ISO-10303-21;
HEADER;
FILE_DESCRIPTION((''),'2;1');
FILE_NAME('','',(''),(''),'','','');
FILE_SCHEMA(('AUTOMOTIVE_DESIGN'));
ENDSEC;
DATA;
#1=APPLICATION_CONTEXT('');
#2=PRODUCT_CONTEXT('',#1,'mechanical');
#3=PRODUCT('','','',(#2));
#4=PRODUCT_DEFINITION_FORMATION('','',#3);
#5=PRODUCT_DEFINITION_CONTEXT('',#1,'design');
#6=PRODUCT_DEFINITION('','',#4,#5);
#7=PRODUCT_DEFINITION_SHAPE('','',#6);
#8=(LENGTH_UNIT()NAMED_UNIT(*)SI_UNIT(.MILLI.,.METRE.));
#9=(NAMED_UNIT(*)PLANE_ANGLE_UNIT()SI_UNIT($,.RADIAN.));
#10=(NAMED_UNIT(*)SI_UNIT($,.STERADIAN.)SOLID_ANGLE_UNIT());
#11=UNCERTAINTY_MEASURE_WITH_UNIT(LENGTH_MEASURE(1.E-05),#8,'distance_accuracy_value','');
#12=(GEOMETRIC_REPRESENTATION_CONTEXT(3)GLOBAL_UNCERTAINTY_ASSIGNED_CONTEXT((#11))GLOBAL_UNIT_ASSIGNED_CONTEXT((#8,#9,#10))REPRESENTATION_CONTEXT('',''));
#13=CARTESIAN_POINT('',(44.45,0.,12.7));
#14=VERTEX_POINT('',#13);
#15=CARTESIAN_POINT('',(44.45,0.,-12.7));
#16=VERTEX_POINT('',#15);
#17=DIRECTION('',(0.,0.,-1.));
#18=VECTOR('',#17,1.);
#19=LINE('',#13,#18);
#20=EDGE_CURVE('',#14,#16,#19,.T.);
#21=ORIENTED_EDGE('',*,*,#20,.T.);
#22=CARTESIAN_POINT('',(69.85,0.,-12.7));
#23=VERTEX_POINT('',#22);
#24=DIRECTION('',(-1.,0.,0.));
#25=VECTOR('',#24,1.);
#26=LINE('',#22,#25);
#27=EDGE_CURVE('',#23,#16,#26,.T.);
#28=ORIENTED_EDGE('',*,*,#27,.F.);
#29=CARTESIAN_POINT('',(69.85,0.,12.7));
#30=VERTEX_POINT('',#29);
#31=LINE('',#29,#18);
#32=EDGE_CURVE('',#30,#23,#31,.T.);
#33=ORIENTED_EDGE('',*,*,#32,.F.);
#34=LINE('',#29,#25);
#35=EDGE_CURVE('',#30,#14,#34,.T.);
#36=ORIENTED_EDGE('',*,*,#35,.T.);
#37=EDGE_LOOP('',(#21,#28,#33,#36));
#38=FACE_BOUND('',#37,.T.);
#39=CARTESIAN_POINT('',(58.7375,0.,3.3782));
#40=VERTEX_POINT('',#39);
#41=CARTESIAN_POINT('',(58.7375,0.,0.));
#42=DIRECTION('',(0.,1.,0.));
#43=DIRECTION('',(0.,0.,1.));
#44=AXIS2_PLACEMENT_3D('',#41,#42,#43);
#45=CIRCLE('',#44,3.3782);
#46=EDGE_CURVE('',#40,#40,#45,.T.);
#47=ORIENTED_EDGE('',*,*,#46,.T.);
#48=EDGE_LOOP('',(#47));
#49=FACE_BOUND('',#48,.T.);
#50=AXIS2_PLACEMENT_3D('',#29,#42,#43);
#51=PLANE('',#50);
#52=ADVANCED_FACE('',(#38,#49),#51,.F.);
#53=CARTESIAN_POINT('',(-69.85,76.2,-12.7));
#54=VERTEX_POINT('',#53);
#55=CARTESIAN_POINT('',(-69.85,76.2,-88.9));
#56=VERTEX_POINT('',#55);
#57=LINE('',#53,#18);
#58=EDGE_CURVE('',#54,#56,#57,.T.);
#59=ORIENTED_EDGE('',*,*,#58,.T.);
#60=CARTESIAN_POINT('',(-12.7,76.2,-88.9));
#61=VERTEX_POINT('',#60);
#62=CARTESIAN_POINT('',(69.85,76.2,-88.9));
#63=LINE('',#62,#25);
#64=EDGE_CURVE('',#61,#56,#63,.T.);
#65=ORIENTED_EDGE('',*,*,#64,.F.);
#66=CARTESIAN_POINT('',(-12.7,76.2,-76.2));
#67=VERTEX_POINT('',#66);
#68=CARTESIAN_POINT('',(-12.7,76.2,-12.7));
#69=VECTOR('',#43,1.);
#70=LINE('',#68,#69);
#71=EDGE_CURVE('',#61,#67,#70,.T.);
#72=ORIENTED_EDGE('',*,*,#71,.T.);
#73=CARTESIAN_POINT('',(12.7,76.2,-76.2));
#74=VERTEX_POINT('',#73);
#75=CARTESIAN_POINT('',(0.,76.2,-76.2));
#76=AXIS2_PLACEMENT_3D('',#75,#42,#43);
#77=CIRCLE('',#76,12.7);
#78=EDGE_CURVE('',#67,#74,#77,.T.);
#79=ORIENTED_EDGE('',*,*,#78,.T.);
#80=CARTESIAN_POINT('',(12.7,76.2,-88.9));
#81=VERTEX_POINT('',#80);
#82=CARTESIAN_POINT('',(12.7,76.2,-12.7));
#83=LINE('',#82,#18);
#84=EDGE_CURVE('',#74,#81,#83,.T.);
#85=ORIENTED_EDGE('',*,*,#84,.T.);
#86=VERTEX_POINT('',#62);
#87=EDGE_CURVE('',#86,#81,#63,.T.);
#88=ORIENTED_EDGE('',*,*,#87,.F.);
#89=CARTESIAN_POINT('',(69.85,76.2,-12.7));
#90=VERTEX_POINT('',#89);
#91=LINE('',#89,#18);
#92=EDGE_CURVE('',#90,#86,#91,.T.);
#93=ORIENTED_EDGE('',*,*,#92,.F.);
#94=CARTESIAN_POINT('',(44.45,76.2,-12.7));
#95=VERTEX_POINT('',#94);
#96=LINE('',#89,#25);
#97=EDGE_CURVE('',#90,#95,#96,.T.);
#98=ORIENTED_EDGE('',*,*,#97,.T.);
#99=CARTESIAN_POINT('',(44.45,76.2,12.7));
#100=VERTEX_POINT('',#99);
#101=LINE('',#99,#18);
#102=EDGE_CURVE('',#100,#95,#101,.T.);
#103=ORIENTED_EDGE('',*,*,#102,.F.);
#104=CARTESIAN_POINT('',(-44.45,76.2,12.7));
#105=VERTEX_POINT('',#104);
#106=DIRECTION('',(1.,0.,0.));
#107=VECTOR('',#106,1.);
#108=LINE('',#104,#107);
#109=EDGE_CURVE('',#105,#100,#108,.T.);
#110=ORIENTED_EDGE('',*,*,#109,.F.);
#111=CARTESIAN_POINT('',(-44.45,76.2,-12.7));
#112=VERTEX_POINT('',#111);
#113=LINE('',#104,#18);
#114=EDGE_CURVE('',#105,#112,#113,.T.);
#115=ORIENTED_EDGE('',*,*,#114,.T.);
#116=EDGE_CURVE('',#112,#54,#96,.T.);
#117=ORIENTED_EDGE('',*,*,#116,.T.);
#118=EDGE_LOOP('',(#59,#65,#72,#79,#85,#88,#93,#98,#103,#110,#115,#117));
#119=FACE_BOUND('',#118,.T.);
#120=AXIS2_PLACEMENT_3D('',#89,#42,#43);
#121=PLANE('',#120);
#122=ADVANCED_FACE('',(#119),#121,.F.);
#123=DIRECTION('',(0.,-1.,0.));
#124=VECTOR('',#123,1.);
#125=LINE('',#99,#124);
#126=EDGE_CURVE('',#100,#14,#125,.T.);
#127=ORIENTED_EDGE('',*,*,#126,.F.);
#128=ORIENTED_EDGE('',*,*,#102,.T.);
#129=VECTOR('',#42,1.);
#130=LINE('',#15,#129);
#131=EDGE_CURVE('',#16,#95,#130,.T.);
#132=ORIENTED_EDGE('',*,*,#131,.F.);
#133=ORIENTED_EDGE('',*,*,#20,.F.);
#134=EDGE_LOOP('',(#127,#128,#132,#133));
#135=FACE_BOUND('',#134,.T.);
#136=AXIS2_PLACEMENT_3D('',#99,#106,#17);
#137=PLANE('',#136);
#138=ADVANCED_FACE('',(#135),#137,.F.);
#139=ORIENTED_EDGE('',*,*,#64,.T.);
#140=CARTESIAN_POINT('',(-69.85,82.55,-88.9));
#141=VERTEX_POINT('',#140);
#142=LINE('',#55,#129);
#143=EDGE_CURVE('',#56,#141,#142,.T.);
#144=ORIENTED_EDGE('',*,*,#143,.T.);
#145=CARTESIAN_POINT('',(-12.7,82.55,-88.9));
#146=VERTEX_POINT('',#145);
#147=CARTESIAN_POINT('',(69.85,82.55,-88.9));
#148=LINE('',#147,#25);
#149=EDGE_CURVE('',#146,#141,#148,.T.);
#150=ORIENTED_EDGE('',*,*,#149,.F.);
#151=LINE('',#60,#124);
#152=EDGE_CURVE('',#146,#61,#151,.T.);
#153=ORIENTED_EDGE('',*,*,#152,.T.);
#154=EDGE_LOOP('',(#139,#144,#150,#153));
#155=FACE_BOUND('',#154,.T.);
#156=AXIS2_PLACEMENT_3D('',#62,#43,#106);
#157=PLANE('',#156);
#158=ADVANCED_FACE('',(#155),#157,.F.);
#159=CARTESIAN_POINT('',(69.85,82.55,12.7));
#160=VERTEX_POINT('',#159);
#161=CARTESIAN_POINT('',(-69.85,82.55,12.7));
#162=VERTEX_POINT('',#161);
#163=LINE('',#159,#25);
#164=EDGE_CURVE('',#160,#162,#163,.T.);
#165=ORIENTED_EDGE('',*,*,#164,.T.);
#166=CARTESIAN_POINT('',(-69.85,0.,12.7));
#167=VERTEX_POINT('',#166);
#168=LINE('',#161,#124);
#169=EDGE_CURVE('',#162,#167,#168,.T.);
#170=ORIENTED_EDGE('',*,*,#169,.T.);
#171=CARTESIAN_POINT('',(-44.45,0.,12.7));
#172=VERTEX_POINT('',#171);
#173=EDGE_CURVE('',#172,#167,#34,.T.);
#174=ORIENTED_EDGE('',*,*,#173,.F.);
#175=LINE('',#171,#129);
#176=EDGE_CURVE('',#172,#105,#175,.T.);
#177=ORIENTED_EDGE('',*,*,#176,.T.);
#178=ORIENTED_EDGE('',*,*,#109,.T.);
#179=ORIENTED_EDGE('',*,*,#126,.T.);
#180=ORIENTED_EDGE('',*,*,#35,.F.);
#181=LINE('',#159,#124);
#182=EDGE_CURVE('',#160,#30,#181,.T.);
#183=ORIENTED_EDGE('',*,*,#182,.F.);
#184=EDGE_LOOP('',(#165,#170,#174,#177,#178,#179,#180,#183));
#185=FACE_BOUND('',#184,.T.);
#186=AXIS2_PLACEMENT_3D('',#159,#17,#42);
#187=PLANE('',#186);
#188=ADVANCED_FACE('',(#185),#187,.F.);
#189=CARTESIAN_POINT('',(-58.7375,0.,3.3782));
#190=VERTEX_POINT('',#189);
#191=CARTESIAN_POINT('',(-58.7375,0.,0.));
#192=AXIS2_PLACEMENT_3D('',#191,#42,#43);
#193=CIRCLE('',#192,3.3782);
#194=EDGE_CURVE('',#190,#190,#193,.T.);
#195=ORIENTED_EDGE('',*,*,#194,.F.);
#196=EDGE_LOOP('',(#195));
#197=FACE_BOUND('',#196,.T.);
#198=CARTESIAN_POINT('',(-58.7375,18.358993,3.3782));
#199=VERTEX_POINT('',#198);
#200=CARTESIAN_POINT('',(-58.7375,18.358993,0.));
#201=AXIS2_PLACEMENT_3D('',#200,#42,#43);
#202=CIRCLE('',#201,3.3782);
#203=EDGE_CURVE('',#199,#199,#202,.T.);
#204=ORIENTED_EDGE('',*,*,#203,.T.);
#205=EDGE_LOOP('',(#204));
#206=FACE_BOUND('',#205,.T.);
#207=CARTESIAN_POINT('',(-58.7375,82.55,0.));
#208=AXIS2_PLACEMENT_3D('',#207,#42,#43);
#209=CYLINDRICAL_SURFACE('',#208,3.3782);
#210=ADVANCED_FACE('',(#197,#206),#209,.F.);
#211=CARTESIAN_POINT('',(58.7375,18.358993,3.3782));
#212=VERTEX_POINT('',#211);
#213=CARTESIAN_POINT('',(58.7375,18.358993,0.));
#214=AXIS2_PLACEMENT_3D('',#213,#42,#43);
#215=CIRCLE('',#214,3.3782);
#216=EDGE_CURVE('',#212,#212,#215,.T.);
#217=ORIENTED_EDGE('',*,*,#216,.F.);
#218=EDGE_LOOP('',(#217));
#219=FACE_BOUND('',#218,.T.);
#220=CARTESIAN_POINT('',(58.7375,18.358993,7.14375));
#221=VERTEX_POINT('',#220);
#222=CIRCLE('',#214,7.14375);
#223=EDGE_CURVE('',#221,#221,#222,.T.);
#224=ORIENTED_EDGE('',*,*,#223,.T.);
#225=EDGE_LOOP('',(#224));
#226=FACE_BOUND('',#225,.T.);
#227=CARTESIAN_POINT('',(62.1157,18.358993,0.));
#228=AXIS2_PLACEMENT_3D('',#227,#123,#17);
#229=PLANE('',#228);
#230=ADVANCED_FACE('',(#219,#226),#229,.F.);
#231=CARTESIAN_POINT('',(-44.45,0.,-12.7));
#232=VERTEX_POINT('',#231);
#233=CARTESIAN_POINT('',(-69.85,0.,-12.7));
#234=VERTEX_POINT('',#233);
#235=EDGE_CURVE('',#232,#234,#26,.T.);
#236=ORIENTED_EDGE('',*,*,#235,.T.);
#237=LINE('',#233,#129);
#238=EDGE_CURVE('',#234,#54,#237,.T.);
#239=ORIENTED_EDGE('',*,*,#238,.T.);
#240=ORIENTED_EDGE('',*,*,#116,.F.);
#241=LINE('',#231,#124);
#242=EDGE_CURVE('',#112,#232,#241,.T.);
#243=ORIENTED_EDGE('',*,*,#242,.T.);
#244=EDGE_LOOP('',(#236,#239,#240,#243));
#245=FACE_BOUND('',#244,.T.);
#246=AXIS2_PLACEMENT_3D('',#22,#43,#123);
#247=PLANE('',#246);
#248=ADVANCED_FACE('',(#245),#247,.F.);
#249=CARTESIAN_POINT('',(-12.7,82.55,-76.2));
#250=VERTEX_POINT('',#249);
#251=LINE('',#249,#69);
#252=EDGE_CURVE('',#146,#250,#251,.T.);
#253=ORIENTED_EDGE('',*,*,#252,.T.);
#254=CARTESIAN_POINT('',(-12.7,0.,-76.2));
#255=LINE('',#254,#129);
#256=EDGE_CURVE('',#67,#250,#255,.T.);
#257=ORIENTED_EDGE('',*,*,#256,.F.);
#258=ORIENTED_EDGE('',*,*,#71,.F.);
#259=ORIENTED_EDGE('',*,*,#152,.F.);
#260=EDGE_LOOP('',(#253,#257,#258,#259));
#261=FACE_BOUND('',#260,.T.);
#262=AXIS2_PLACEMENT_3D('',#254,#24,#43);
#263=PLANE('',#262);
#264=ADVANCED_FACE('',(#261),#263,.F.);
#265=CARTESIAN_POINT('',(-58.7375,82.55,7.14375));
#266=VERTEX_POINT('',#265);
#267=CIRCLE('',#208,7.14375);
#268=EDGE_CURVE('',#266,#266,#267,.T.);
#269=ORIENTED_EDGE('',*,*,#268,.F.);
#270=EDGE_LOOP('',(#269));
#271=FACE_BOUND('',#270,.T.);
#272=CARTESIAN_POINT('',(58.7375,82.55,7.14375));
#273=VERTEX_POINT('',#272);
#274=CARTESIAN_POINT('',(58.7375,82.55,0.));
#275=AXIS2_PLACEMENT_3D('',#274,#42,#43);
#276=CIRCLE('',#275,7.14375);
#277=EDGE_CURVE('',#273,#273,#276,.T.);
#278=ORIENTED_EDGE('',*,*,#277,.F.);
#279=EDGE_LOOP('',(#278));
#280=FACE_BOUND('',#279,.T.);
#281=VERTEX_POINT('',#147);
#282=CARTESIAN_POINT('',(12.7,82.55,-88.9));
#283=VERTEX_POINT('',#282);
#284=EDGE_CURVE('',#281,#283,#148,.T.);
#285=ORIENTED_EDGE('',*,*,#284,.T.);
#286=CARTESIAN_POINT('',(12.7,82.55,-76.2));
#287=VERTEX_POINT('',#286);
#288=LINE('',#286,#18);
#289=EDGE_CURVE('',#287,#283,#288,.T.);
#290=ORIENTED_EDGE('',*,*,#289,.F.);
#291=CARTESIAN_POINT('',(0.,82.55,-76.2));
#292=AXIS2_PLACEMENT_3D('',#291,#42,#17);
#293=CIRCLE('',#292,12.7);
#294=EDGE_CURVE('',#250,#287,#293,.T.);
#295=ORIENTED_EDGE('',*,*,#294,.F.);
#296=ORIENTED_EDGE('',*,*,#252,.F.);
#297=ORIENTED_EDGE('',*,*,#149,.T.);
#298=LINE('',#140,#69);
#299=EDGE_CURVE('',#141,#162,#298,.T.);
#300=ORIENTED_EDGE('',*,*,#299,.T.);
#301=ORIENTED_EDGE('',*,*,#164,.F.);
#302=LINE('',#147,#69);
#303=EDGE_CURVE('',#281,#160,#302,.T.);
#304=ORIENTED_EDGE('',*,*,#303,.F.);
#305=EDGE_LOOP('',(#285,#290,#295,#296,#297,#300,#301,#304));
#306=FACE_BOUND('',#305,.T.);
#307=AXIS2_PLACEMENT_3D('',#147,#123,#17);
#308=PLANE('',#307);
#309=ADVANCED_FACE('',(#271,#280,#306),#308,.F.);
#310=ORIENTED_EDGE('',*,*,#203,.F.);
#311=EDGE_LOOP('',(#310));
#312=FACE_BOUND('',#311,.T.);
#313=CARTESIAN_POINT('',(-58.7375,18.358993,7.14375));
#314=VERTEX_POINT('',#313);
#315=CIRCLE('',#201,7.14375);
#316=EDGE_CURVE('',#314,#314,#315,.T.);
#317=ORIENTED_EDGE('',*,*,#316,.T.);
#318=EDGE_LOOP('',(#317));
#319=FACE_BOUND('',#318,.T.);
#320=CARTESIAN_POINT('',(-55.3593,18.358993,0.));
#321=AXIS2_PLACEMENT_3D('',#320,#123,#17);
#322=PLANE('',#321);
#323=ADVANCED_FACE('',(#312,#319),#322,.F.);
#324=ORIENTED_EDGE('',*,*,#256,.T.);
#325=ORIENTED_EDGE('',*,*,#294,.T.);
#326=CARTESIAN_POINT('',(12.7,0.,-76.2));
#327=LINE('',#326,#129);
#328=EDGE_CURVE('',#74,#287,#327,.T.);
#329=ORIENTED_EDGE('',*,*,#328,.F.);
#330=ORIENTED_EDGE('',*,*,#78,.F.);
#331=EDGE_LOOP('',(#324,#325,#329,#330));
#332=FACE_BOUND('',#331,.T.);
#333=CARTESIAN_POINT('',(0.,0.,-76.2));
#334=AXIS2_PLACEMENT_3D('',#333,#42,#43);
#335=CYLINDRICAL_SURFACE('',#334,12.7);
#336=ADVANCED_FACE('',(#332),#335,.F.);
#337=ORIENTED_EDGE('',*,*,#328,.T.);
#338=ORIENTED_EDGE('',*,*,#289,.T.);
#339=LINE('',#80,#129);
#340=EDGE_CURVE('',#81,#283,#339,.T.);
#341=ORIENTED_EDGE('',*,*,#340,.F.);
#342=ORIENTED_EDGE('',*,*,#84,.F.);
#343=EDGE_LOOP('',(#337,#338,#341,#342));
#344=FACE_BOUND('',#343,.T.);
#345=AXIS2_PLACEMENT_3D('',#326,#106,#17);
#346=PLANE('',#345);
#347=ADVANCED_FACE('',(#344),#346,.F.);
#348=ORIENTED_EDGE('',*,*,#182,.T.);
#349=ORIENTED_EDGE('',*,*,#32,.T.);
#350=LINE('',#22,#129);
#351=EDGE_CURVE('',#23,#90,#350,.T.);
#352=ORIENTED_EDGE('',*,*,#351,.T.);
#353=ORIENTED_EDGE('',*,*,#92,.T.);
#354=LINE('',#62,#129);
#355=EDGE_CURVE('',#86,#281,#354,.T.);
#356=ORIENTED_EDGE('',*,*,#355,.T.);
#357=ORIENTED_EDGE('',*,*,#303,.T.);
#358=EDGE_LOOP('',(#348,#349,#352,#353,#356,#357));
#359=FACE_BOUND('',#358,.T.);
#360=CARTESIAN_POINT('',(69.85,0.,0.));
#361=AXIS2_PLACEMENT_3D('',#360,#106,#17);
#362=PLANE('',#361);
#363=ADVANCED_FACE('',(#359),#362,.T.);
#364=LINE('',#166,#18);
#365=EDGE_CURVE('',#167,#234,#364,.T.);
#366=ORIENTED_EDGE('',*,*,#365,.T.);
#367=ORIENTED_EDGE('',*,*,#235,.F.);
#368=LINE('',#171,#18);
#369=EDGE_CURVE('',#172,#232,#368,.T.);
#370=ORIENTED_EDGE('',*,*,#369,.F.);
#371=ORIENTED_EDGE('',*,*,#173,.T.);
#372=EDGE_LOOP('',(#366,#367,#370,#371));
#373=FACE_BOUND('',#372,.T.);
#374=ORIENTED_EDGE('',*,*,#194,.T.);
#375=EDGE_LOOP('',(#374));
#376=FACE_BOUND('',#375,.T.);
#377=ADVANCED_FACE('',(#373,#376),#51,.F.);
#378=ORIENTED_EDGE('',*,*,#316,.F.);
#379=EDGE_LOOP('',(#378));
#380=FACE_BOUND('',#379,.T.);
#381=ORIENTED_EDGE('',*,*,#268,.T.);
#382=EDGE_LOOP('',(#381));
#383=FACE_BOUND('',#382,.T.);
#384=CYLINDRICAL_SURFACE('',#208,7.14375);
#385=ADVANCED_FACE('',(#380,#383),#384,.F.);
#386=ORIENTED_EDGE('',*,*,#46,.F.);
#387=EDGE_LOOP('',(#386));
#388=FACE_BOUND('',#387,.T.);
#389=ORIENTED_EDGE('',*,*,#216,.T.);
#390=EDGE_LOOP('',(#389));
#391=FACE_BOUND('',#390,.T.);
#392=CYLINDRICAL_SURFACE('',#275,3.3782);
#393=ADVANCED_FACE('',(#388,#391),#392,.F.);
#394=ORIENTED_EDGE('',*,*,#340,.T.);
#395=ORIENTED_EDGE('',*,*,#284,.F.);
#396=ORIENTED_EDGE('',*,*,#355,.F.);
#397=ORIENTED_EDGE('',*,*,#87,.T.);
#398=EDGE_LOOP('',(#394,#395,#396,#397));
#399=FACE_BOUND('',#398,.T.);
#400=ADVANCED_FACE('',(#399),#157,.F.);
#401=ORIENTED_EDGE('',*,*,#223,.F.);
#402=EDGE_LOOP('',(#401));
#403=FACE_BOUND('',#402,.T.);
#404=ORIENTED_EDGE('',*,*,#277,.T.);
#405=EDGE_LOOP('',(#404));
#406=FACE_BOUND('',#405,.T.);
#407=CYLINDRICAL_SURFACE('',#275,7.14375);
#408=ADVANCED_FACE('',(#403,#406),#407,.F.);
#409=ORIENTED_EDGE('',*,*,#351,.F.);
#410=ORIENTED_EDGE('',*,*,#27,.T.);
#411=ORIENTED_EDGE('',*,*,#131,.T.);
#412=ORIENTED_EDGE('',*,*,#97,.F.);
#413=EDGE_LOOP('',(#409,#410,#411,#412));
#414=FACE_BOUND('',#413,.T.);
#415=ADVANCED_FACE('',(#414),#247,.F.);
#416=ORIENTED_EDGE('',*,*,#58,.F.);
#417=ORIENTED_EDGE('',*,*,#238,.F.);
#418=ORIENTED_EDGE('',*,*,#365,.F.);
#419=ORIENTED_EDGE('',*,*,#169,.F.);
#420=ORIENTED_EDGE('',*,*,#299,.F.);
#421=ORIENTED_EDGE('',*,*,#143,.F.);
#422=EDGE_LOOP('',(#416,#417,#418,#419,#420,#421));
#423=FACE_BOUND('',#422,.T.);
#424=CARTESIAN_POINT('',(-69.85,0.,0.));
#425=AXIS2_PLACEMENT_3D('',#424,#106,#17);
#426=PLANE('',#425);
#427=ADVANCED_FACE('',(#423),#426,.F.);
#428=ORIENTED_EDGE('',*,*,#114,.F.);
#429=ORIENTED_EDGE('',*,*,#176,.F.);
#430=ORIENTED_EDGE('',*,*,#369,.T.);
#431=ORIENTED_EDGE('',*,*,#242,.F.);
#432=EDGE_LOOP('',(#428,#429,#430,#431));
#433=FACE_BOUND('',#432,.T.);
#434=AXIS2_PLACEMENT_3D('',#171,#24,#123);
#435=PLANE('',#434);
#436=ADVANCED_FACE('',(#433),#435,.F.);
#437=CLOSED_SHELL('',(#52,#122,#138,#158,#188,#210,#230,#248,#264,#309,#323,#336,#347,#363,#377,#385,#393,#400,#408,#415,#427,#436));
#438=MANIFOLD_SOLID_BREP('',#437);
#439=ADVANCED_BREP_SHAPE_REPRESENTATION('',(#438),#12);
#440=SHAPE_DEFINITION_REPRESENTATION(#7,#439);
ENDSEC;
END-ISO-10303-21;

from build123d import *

# Parameters (mm, degrees)
BOSS_EXTRUDE1_DEPTH                                  = 69.85
SKETCH2_W                                            = 88.9
SKETCH2_H                                            = 76.2
CUT_EXTRUDE1_DEPTH                                   = 149.378182358
CBORE_FOR_1_4_BINDING_HEAD_MACHINE_SCREW_D           = 6.7564
CBORE_FOR_1_4_BINDING_HEAD_MACHINE_SCREW_CBORE_D     = 14.2875
CBORE_FOR_1_4_BINDING_HEAD_MACHINE_SCREW_CBORE_DEPTH = 64.191007
CUT_EXTRUDE2_DEPTH                                   = 140.9883388


with BuildPart() as part:
    # Sketch1 → Boss-Extrude1 (new, symmetric)
    with BuildSketch(Plane(origin=(0, 0, 0), x_dir=(0, 0, -1), z_dir=(1, 0, 0))):
        Polygon((-12.7, 0), (12.7, 0), (12.7, 76.2), (88.9, 76.2), (88.9, 82.55), (-12.7, 82.55), align=None)
    extrude(amount=BOSS_EXTRUDE1_DEPTH, both=True)

    # Sketch2 → Cut-Extrude1 (cut, through all)
    with BuildSketch(Plane(origin=(0, 0, -88.9), x_dir=(-1, 0, 0), z_dir=(0, 0, -1))):
        with Locations((0, 38.1)):
            Rectangle(SKETCH2_W, SKETCH2_H)
    extrude(amount=-CUT_EXTRUDE1_DEPTH, mode=Mode.SUBTRACT)

    # CBORE for 1/4 Binding Head Machine Screw1 (through all)
    with Locations(Plane(origin=(0, 82.55, 0), x_dir=(1, 0, 0), z_dir=(0, 1, 0))):
        with Locations((58.7375, 0), (-58.7375, 0)):
            CounterBoreHole(CBORE_FOR_1_4_BINDING_HEAD_MACHINE_SCREW_D / 2, CBORE_FOR_1_4_BINDING_HEAD_MACHINE_SCREW_CBORE_D / 2, CBORE_FOR_1_4_BINDING_HEAD_MACHINE_SCREW_CBORE_DEPTH)

    # Sketch6 → Cut-Extrude2 (cut, through all)
    with BuildSketch(Plane(origin=(0, 82.55, 0), x_dir=(1, 0, 0), z_dir=(0, 1, 0))):
        with BuildLine():
            Line((12.7, 76.2), (12.7, 88.9))
            Line((12.7, 88.9), (-12.7, 88.9))
            Line((-12.7, 88.9), (-12.7, 76.2))
            ThreePointArc((-12.7, 76.2), (0, 63.5), (12.7, 76.2))
        make_face()
    extrude(amount=-CUT_EXTRUDE2_DEPTH, mode=Mode.SUBTRACT)


solid = part.part
